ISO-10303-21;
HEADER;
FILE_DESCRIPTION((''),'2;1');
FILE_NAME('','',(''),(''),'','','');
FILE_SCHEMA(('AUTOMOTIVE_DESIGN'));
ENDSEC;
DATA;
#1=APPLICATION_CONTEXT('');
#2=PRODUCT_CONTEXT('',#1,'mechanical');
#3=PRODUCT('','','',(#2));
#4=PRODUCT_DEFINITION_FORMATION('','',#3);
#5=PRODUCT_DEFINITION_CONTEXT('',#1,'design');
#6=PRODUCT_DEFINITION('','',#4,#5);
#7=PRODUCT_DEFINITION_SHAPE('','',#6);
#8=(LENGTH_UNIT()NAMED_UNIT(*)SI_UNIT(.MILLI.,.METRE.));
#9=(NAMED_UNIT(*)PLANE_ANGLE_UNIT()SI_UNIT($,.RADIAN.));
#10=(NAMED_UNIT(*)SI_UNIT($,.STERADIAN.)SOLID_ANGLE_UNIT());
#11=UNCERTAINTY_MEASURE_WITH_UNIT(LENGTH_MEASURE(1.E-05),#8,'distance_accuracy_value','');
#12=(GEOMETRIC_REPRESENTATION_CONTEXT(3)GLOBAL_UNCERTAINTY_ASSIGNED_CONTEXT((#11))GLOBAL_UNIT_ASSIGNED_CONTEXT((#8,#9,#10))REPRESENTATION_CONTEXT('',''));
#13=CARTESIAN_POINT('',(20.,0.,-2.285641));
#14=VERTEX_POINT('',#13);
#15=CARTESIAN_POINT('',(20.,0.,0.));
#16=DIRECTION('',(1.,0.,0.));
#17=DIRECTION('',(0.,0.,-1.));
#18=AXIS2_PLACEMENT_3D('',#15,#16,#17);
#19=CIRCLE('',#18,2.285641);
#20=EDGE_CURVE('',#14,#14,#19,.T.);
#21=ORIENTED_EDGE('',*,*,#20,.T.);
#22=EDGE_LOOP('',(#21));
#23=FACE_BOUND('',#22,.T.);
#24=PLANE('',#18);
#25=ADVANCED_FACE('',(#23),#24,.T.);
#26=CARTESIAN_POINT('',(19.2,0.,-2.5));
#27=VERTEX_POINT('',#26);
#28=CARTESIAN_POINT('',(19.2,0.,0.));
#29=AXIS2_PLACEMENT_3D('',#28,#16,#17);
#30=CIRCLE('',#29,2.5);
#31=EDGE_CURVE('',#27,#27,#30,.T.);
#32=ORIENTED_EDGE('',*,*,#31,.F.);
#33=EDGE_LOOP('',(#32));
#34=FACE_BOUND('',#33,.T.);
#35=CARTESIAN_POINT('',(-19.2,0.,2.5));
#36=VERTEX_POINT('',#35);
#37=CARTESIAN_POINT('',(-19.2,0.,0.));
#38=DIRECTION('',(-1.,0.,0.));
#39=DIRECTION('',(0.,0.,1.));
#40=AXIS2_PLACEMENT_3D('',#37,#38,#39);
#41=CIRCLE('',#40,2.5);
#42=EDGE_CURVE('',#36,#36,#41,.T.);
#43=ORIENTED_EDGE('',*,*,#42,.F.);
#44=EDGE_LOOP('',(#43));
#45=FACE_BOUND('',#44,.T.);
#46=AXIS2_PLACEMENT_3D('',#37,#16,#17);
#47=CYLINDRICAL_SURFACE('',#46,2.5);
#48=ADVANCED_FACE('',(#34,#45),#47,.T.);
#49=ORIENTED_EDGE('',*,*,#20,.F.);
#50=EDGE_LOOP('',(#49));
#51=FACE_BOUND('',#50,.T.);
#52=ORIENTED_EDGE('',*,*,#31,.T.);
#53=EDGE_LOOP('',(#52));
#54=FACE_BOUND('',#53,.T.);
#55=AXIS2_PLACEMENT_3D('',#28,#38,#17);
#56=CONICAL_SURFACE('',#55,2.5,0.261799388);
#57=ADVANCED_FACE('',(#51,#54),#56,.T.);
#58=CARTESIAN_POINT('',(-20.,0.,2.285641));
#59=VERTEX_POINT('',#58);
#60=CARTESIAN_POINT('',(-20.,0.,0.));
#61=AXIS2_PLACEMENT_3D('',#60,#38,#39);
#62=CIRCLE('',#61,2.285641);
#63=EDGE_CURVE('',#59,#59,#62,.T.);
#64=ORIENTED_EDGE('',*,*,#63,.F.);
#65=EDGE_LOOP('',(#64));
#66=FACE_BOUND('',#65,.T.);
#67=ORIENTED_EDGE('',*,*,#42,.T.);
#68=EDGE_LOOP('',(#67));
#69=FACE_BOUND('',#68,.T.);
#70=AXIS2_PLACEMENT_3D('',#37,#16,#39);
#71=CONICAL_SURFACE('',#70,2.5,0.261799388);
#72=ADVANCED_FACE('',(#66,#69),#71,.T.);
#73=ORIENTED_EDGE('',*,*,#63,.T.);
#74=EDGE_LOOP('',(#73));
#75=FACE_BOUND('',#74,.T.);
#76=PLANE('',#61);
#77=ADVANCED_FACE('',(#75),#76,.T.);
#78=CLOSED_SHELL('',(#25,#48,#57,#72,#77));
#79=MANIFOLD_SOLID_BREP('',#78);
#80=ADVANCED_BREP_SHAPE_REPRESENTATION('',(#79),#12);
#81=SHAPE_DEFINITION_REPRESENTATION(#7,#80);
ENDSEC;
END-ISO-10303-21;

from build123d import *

# Parameters (mm, degrees)
EXTRUDE1_DEPTH      = 19.2
EXTRUDE1_DEPTH_BACK = 19.2
SKETCH2_R           = 2.5
SKETCH3_R           = 2.5
EXTRUDE2_DEPTH      = 0.8
EXTRUDE2_TAPER      = 15
SKETCH4_R           = 2.5
EXTRUDE3_DEPTH      = 0.8
EXTRUDE3_TAPER      = 15


with BuildPart() as part:
    # Sketch2 → Extrude1 (new, two sides: drawn at the far end of the back side and taken through both)
    with BuildSketch(Plane(origin=(0, 0, 0), x_dir=(0, 0, -1), z_dir=(1, 0, 0)).offset(-EXTRUDE1_DEPTH_BACK)):
        Circle(SKETCH2_R)
    extrude(amount=EXTRUDE1_DEPTH + EXTRUDE1_DEPTH_BACK)

    # Sketch3 → Extrude2 (add)
    with BuildSketch(Plane(origin=(19.2, 0, 0), x_dir=(0, 0, -1), z_dir=(1, 0, 0))):
        Circle(SKETCH3_R)
    extrude(amount=EXTRUDE2_DEPTH, taper=EXTRUDE2_TAPER)

    # Sketch4 → Extrude3 (add)
    with BuildSketch(Plane.ZY.offset(19.2)):
        with Locations(Location((0, 0, 0), (0, 0, 180))):
            Circle(SKETCH4_R)
    extrude(amount=EXTRUDE3_DEPTH, taper=EXTRUDE3_TAPER)


solid = part.part
